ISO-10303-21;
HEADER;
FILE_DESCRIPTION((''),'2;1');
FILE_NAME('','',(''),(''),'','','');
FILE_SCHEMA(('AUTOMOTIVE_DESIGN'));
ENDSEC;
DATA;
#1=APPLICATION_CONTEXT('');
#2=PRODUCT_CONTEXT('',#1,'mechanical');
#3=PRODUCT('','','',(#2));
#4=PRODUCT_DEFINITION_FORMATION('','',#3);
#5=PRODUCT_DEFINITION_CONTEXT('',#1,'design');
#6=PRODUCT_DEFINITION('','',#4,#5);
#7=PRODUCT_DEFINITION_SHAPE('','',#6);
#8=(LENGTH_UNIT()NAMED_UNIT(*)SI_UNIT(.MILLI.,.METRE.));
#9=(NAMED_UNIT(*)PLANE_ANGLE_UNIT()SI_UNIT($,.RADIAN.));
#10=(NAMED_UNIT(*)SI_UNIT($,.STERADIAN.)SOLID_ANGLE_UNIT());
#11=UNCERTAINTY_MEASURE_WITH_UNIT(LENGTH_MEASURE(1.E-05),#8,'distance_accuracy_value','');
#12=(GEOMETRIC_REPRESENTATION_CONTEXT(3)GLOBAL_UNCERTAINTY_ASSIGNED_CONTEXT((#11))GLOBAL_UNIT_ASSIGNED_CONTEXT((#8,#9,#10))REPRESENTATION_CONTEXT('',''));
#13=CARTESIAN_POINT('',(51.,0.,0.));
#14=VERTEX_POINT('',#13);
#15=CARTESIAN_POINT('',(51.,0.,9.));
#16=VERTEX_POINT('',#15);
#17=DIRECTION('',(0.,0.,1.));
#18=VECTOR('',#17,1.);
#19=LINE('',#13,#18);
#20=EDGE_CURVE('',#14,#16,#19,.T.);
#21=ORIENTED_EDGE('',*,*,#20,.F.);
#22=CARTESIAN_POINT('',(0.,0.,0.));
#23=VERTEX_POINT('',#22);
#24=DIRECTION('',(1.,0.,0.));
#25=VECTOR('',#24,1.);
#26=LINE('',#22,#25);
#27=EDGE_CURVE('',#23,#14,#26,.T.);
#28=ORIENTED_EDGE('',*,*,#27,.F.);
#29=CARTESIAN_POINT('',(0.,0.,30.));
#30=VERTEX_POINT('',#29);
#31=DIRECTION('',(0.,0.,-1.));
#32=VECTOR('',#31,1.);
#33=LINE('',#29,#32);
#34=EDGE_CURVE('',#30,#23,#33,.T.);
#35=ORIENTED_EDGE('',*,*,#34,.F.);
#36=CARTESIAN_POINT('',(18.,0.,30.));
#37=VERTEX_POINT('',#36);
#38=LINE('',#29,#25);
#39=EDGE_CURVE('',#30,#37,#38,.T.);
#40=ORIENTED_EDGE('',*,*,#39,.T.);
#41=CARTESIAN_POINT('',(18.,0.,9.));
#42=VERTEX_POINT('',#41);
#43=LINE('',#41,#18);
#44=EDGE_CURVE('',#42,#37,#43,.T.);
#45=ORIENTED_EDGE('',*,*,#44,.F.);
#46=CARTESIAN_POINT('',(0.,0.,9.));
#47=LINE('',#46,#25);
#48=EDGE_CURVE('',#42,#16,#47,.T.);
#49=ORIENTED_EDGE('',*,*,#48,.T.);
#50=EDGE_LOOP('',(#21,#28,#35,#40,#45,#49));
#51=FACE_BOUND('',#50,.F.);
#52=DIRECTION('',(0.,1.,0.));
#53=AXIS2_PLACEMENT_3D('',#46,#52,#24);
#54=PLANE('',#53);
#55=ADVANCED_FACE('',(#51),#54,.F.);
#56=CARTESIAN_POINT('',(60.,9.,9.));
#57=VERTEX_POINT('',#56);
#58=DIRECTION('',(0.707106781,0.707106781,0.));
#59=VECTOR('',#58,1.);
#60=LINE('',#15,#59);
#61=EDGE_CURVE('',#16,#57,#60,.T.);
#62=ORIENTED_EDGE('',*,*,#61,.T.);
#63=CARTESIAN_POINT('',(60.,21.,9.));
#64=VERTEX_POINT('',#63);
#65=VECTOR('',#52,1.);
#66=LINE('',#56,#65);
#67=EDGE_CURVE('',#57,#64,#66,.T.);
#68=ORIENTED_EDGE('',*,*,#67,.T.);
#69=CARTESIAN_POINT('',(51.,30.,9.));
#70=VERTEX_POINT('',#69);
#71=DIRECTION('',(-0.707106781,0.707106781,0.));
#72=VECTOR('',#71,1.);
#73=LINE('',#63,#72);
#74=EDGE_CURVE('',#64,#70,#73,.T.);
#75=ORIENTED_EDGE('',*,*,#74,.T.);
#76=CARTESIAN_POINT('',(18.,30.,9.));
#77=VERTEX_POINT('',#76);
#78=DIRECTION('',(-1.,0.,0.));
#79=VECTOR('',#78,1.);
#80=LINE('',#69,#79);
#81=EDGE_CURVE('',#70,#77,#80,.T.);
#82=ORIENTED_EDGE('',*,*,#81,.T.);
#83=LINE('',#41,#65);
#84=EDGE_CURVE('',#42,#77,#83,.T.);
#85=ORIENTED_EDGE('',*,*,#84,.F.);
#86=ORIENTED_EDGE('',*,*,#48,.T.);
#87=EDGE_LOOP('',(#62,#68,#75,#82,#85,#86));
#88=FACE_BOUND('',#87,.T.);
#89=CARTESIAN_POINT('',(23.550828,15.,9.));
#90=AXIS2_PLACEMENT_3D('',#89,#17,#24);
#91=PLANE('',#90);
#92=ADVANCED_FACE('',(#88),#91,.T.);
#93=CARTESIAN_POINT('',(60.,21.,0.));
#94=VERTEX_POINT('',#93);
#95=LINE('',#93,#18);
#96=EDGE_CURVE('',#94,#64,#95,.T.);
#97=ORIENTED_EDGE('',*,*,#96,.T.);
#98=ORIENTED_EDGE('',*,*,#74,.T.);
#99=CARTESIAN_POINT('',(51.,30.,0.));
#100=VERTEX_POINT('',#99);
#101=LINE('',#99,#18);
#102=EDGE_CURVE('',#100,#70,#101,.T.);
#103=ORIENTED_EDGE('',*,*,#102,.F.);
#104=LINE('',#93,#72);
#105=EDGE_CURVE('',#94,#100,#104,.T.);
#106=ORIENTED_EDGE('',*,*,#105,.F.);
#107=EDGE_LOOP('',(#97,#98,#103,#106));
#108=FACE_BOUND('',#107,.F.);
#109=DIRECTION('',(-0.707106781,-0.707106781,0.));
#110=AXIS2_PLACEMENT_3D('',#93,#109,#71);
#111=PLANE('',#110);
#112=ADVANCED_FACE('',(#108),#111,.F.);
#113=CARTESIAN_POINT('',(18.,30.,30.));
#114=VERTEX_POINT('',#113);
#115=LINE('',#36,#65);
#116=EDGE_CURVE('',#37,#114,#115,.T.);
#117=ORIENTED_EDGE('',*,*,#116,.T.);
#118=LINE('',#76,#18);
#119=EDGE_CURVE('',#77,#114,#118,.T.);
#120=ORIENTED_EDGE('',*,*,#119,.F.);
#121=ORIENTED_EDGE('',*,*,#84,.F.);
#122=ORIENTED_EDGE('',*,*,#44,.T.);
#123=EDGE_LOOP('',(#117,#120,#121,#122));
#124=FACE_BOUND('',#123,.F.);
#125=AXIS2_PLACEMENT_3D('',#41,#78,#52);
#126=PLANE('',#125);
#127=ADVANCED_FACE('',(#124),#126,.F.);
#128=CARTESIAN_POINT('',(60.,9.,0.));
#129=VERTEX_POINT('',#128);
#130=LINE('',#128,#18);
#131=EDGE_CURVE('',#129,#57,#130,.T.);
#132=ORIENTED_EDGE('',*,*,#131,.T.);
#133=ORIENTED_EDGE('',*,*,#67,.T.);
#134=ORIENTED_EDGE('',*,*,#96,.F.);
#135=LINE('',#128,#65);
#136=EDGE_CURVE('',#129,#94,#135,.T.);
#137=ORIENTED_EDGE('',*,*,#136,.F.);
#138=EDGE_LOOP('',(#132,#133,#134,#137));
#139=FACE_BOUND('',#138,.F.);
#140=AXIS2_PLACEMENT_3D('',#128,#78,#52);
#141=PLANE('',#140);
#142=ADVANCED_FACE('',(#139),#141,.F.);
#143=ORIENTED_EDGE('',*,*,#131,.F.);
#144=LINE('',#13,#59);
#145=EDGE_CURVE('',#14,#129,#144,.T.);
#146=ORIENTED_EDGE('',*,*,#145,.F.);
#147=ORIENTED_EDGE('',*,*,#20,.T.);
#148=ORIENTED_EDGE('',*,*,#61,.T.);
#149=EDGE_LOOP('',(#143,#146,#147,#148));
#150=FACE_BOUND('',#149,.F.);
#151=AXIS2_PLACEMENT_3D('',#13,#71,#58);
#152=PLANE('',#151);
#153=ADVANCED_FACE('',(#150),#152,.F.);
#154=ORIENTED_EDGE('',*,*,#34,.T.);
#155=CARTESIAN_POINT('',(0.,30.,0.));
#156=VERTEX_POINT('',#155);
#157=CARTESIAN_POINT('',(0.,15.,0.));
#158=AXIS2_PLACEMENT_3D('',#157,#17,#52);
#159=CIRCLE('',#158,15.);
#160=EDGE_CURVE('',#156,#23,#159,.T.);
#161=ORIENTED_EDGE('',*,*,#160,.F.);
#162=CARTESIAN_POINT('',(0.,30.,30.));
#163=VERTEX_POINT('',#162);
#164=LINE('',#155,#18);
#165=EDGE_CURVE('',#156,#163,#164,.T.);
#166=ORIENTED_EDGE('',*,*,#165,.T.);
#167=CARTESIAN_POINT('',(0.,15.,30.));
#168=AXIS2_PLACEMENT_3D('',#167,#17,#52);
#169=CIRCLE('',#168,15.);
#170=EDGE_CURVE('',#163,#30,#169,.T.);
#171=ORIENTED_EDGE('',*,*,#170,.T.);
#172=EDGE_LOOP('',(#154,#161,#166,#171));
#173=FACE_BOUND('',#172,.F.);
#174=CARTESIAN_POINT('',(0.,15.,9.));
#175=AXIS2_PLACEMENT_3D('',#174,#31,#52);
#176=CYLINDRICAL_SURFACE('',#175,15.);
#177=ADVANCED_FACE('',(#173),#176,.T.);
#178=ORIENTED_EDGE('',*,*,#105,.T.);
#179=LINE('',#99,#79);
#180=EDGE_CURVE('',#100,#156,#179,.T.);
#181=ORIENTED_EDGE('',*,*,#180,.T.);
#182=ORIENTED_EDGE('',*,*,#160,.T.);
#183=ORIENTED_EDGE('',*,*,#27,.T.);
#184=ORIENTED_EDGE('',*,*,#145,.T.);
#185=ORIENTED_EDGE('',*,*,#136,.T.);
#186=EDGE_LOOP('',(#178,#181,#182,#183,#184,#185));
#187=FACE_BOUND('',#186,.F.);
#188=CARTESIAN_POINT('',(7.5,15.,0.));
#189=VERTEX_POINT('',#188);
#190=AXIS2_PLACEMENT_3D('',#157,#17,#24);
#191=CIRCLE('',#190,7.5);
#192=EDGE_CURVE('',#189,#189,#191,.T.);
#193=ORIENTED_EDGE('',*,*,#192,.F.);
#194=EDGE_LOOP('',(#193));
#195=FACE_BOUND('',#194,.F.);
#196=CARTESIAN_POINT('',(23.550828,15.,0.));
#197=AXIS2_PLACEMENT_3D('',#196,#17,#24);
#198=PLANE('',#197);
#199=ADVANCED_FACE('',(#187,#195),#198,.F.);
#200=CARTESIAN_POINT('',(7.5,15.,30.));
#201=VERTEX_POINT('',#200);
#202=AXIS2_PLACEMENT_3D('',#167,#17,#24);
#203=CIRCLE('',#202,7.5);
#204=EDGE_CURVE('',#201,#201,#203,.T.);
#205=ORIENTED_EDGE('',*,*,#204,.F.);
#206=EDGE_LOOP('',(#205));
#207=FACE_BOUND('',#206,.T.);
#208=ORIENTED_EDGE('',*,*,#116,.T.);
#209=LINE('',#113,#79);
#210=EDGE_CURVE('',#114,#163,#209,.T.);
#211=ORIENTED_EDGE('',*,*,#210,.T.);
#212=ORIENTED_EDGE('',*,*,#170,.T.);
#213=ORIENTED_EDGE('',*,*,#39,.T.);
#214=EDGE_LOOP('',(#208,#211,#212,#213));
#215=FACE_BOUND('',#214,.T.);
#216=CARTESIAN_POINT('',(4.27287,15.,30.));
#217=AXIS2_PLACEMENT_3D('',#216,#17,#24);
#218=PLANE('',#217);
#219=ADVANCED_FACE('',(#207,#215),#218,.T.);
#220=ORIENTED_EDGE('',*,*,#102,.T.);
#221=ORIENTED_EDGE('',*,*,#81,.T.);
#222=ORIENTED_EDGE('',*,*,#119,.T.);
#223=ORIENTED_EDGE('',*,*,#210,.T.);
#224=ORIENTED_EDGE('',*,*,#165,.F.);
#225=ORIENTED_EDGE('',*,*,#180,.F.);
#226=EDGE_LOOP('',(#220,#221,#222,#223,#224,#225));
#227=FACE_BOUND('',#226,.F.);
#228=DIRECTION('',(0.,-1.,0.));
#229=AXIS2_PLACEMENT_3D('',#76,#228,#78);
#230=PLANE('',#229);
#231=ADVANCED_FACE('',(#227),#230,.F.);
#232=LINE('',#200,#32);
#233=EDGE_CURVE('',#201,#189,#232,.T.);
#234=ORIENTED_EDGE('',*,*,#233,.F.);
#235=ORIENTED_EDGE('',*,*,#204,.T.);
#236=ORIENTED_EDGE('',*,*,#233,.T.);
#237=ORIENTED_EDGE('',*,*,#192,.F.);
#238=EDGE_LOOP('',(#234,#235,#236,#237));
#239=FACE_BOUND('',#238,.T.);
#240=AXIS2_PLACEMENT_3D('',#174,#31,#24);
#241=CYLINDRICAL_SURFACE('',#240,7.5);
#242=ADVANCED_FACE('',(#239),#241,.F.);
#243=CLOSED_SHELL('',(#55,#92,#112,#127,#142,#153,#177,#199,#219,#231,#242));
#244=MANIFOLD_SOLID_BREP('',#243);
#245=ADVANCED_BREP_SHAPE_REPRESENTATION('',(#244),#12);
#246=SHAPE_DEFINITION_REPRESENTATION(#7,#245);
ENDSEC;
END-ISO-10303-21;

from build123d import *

# Parameters (mm, degrees)
F0_R     = 7.5
F1_DEPTH = 9
F2_R     = 7.5
F3_DEPTH = 21


with BuildPart() as f1:
    # F0 (on Top) → F1 (new body)
    with BuildSketch(Plane.XY):
        with BuildLine():
            ThreePointArc((0, 30), (-15, 15), (0, 0))
            Line((0, 0), (51, 0))
            Line((51, 0), (60, 9))
            Line((60, 9), (60, 21))
            Line((60, 21), (51, 30))
            Line((51, 30), (0, 30))
        make_face()
        with Locations((0, 15)):
            Circle(F0_R, mode=Mode.SUBTRACT)
    extrude(amount=F1_DEPTH)

    # F2 (on face) → F3 (join)
    with BuildSketch(Plane.XY.offset(9)):
        with BuildLine():
            Line((18, 0), (18, 30))
            Line((18, 30), (0, 30))
            ThreePointArc((0, 30), (-15, 15), (0, 0))
            Line((0, 0), (18, 0))
        make_face()
        with Locations((0, 15)):
            Circle(F2_R, mode=Mode.SUBTRACT)
    extrude(amount=F3_DEPTH)


solid = f1.part
